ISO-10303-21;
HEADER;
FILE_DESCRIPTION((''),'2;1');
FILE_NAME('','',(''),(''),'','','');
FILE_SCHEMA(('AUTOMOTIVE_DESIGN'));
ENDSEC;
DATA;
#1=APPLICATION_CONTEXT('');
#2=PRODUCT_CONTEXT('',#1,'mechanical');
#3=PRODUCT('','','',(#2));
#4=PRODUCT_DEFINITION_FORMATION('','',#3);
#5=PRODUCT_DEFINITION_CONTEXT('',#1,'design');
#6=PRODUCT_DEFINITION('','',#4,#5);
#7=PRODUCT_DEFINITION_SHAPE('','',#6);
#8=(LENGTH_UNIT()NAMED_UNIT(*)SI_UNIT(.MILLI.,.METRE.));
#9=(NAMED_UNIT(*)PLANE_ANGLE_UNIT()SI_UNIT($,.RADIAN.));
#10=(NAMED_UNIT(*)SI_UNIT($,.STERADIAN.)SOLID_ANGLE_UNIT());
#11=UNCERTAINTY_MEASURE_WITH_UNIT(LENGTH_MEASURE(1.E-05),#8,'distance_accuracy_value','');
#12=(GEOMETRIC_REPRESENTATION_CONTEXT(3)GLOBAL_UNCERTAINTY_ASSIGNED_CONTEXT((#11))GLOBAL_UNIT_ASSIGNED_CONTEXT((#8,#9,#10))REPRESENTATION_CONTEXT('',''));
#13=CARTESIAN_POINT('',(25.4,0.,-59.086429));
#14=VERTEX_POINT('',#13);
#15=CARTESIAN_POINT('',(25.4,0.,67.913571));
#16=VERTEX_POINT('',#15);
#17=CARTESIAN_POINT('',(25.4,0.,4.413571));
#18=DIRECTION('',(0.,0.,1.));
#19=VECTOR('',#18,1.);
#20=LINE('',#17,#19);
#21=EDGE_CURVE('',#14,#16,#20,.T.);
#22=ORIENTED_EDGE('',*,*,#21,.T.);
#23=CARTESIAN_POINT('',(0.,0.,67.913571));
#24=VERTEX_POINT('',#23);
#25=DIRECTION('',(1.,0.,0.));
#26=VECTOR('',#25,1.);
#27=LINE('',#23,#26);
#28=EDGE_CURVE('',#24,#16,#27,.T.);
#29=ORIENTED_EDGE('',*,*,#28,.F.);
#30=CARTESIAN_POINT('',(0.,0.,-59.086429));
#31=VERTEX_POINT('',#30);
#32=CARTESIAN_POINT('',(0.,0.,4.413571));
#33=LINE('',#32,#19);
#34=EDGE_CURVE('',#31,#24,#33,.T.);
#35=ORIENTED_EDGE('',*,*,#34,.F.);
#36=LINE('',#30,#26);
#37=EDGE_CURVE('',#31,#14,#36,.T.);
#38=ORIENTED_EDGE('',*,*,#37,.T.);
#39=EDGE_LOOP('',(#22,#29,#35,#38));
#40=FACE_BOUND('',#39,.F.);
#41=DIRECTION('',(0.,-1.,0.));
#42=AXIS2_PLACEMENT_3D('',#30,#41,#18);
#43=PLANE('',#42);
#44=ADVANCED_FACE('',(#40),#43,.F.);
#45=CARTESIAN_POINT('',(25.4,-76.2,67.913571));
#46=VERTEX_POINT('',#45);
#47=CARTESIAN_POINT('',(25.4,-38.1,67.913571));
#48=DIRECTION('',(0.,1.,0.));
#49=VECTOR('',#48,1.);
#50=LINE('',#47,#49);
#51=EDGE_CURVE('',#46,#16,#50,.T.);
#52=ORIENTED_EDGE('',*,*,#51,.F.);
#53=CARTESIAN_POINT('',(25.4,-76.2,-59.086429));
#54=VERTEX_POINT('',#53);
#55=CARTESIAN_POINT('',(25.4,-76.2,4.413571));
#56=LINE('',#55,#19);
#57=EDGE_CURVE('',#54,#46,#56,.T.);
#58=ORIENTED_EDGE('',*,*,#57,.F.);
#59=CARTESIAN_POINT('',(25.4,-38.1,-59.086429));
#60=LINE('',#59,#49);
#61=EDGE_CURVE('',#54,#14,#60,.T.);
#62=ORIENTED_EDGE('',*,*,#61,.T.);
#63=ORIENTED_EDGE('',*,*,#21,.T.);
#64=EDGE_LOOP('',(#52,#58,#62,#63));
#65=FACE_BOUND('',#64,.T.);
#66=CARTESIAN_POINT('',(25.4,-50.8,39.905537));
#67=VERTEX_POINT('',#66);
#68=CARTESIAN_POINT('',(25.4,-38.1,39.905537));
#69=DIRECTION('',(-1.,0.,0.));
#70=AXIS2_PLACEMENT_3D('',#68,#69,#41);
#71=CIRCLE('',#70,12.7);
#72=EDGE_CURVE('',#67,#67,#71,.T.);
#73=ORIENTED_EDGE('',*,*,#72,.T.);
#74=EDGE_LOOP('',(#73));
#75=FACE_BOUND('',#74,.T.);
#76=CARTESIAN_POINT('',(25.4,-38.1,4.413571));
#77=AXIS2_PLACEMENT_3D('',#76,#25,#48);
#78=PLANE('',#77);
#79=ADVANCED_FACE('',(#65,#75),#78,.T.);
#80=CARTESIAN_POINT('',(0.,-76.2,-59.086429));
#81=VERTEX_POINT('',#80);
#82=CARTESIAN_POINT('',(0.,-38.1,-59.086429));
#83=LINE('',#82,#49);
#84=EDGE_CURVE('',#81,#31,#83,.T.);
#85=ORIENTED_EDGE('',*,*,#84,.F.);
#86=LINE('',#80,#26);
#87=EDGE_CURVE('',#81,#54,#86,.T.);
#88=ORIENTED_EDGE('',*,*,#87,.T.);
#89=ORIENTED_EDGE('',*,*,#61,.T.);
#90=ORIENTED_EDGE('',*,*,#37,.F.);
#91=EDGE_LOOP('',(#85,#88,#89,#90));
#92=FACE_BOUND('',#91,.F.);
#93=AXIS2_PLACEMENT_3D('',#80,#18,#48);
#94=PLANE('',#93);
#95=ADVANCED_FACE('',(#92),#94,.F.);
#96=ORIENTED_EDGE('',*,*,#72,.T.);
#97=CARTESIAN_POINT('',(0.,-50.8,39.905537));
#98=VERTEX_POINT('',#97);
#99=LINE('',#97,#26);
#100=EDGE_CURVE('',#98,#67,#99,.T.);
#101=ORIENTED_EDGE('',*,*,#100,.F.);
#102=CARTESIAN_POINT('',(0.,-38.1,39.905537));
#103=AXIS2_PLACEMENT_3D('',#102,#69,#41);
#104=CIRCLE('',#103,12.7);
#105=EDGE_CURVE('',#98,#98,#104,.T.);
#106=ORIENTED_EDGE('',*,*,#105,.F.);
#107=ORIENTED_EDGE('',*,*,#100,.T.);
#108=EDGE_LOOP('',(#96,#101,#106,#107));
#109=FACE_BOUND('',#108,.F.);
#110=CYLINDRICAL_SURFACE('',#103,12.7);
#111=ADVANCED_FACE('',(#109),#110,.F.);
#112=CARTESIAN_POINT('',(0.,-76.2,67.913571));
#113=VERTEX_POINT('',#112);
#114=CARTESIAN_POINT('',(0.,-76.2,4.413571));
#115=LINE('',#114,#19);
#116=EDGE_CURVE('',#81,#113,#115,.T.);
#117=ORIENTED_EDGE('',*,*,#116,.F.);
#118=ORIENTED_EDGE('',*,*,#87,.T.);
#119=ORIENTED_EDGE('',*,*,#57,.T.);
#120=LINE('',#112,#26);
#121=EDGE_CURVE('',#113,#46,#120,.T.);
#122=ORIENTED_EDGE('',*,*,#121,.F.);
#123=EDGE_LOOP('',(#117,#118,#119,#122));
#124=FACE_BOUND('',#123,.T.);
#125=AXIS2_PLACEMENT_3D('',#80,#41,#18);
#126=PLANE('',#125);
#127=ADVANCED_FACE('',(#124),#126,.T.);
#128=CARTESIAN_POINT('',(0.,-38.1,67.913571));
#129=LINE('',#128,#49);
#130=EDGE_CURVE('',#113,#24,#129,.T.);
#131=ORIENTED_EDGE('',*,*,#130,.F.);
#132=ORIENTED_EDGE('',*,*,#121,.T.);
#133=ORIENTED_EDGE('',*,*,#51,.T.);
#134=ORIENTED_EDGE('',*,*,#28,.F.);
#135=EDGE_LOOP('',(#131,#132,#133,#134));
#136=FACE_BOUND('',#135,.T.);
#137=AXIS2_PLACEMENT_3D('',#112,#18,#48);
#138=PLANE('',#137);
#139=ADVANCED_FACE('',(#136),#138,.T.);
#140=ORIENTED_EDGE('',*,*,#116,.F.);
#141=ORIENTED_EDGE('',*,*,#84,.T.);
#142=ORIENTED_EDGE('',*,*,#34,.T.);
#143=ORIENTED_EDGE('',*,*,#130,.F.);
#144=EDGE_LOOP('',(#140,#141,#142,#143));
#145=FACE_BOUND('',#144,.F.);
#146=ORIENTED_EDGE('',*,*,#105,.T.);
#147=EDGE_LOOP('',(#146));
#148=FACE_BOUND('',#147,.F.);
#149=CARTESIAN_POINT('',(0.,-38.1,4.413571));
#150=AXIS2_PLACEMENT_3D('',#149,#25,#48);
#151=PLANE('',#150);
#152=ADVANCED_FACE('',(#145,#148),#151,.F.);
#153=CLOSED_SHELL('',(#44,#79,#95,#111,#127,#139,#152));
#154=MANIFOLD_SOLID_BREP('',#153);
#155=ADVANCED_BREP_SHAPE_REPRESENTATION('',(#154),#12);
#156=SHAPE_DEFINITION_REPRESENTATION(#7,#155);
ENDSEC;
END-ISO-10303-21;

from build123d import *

# Parameters (mm, degrees)
F0_W     = 76.2
F0_H     = 127
F1_DEPTH = 25.4
F2_R     = 12.7
F3_DEPTH = 25.401


with BuildPart() as f1:
    # F0 (on Right) → F1 (new body)
    with BuildSketch(Plane.YZ):
        with Locations((-38.1, 4.413571)):
            Rectangle(F0_W, F0_H)
    extrude(amount=F1_DEPTH)

    # F2 (on face) → F3 (cut, through all)
    with BuildSketch(Plane(origin=(0, 0, 0), x_dir=(0, -1, 0), z_dir=(-1, 0, 0))):
        with Locations((38.1, 39.905537)):
            Circle(F2_R)
    extrude(amount=-F3_DEPTH, mode=Mode.SUBTRACT)


solid = f1.part
